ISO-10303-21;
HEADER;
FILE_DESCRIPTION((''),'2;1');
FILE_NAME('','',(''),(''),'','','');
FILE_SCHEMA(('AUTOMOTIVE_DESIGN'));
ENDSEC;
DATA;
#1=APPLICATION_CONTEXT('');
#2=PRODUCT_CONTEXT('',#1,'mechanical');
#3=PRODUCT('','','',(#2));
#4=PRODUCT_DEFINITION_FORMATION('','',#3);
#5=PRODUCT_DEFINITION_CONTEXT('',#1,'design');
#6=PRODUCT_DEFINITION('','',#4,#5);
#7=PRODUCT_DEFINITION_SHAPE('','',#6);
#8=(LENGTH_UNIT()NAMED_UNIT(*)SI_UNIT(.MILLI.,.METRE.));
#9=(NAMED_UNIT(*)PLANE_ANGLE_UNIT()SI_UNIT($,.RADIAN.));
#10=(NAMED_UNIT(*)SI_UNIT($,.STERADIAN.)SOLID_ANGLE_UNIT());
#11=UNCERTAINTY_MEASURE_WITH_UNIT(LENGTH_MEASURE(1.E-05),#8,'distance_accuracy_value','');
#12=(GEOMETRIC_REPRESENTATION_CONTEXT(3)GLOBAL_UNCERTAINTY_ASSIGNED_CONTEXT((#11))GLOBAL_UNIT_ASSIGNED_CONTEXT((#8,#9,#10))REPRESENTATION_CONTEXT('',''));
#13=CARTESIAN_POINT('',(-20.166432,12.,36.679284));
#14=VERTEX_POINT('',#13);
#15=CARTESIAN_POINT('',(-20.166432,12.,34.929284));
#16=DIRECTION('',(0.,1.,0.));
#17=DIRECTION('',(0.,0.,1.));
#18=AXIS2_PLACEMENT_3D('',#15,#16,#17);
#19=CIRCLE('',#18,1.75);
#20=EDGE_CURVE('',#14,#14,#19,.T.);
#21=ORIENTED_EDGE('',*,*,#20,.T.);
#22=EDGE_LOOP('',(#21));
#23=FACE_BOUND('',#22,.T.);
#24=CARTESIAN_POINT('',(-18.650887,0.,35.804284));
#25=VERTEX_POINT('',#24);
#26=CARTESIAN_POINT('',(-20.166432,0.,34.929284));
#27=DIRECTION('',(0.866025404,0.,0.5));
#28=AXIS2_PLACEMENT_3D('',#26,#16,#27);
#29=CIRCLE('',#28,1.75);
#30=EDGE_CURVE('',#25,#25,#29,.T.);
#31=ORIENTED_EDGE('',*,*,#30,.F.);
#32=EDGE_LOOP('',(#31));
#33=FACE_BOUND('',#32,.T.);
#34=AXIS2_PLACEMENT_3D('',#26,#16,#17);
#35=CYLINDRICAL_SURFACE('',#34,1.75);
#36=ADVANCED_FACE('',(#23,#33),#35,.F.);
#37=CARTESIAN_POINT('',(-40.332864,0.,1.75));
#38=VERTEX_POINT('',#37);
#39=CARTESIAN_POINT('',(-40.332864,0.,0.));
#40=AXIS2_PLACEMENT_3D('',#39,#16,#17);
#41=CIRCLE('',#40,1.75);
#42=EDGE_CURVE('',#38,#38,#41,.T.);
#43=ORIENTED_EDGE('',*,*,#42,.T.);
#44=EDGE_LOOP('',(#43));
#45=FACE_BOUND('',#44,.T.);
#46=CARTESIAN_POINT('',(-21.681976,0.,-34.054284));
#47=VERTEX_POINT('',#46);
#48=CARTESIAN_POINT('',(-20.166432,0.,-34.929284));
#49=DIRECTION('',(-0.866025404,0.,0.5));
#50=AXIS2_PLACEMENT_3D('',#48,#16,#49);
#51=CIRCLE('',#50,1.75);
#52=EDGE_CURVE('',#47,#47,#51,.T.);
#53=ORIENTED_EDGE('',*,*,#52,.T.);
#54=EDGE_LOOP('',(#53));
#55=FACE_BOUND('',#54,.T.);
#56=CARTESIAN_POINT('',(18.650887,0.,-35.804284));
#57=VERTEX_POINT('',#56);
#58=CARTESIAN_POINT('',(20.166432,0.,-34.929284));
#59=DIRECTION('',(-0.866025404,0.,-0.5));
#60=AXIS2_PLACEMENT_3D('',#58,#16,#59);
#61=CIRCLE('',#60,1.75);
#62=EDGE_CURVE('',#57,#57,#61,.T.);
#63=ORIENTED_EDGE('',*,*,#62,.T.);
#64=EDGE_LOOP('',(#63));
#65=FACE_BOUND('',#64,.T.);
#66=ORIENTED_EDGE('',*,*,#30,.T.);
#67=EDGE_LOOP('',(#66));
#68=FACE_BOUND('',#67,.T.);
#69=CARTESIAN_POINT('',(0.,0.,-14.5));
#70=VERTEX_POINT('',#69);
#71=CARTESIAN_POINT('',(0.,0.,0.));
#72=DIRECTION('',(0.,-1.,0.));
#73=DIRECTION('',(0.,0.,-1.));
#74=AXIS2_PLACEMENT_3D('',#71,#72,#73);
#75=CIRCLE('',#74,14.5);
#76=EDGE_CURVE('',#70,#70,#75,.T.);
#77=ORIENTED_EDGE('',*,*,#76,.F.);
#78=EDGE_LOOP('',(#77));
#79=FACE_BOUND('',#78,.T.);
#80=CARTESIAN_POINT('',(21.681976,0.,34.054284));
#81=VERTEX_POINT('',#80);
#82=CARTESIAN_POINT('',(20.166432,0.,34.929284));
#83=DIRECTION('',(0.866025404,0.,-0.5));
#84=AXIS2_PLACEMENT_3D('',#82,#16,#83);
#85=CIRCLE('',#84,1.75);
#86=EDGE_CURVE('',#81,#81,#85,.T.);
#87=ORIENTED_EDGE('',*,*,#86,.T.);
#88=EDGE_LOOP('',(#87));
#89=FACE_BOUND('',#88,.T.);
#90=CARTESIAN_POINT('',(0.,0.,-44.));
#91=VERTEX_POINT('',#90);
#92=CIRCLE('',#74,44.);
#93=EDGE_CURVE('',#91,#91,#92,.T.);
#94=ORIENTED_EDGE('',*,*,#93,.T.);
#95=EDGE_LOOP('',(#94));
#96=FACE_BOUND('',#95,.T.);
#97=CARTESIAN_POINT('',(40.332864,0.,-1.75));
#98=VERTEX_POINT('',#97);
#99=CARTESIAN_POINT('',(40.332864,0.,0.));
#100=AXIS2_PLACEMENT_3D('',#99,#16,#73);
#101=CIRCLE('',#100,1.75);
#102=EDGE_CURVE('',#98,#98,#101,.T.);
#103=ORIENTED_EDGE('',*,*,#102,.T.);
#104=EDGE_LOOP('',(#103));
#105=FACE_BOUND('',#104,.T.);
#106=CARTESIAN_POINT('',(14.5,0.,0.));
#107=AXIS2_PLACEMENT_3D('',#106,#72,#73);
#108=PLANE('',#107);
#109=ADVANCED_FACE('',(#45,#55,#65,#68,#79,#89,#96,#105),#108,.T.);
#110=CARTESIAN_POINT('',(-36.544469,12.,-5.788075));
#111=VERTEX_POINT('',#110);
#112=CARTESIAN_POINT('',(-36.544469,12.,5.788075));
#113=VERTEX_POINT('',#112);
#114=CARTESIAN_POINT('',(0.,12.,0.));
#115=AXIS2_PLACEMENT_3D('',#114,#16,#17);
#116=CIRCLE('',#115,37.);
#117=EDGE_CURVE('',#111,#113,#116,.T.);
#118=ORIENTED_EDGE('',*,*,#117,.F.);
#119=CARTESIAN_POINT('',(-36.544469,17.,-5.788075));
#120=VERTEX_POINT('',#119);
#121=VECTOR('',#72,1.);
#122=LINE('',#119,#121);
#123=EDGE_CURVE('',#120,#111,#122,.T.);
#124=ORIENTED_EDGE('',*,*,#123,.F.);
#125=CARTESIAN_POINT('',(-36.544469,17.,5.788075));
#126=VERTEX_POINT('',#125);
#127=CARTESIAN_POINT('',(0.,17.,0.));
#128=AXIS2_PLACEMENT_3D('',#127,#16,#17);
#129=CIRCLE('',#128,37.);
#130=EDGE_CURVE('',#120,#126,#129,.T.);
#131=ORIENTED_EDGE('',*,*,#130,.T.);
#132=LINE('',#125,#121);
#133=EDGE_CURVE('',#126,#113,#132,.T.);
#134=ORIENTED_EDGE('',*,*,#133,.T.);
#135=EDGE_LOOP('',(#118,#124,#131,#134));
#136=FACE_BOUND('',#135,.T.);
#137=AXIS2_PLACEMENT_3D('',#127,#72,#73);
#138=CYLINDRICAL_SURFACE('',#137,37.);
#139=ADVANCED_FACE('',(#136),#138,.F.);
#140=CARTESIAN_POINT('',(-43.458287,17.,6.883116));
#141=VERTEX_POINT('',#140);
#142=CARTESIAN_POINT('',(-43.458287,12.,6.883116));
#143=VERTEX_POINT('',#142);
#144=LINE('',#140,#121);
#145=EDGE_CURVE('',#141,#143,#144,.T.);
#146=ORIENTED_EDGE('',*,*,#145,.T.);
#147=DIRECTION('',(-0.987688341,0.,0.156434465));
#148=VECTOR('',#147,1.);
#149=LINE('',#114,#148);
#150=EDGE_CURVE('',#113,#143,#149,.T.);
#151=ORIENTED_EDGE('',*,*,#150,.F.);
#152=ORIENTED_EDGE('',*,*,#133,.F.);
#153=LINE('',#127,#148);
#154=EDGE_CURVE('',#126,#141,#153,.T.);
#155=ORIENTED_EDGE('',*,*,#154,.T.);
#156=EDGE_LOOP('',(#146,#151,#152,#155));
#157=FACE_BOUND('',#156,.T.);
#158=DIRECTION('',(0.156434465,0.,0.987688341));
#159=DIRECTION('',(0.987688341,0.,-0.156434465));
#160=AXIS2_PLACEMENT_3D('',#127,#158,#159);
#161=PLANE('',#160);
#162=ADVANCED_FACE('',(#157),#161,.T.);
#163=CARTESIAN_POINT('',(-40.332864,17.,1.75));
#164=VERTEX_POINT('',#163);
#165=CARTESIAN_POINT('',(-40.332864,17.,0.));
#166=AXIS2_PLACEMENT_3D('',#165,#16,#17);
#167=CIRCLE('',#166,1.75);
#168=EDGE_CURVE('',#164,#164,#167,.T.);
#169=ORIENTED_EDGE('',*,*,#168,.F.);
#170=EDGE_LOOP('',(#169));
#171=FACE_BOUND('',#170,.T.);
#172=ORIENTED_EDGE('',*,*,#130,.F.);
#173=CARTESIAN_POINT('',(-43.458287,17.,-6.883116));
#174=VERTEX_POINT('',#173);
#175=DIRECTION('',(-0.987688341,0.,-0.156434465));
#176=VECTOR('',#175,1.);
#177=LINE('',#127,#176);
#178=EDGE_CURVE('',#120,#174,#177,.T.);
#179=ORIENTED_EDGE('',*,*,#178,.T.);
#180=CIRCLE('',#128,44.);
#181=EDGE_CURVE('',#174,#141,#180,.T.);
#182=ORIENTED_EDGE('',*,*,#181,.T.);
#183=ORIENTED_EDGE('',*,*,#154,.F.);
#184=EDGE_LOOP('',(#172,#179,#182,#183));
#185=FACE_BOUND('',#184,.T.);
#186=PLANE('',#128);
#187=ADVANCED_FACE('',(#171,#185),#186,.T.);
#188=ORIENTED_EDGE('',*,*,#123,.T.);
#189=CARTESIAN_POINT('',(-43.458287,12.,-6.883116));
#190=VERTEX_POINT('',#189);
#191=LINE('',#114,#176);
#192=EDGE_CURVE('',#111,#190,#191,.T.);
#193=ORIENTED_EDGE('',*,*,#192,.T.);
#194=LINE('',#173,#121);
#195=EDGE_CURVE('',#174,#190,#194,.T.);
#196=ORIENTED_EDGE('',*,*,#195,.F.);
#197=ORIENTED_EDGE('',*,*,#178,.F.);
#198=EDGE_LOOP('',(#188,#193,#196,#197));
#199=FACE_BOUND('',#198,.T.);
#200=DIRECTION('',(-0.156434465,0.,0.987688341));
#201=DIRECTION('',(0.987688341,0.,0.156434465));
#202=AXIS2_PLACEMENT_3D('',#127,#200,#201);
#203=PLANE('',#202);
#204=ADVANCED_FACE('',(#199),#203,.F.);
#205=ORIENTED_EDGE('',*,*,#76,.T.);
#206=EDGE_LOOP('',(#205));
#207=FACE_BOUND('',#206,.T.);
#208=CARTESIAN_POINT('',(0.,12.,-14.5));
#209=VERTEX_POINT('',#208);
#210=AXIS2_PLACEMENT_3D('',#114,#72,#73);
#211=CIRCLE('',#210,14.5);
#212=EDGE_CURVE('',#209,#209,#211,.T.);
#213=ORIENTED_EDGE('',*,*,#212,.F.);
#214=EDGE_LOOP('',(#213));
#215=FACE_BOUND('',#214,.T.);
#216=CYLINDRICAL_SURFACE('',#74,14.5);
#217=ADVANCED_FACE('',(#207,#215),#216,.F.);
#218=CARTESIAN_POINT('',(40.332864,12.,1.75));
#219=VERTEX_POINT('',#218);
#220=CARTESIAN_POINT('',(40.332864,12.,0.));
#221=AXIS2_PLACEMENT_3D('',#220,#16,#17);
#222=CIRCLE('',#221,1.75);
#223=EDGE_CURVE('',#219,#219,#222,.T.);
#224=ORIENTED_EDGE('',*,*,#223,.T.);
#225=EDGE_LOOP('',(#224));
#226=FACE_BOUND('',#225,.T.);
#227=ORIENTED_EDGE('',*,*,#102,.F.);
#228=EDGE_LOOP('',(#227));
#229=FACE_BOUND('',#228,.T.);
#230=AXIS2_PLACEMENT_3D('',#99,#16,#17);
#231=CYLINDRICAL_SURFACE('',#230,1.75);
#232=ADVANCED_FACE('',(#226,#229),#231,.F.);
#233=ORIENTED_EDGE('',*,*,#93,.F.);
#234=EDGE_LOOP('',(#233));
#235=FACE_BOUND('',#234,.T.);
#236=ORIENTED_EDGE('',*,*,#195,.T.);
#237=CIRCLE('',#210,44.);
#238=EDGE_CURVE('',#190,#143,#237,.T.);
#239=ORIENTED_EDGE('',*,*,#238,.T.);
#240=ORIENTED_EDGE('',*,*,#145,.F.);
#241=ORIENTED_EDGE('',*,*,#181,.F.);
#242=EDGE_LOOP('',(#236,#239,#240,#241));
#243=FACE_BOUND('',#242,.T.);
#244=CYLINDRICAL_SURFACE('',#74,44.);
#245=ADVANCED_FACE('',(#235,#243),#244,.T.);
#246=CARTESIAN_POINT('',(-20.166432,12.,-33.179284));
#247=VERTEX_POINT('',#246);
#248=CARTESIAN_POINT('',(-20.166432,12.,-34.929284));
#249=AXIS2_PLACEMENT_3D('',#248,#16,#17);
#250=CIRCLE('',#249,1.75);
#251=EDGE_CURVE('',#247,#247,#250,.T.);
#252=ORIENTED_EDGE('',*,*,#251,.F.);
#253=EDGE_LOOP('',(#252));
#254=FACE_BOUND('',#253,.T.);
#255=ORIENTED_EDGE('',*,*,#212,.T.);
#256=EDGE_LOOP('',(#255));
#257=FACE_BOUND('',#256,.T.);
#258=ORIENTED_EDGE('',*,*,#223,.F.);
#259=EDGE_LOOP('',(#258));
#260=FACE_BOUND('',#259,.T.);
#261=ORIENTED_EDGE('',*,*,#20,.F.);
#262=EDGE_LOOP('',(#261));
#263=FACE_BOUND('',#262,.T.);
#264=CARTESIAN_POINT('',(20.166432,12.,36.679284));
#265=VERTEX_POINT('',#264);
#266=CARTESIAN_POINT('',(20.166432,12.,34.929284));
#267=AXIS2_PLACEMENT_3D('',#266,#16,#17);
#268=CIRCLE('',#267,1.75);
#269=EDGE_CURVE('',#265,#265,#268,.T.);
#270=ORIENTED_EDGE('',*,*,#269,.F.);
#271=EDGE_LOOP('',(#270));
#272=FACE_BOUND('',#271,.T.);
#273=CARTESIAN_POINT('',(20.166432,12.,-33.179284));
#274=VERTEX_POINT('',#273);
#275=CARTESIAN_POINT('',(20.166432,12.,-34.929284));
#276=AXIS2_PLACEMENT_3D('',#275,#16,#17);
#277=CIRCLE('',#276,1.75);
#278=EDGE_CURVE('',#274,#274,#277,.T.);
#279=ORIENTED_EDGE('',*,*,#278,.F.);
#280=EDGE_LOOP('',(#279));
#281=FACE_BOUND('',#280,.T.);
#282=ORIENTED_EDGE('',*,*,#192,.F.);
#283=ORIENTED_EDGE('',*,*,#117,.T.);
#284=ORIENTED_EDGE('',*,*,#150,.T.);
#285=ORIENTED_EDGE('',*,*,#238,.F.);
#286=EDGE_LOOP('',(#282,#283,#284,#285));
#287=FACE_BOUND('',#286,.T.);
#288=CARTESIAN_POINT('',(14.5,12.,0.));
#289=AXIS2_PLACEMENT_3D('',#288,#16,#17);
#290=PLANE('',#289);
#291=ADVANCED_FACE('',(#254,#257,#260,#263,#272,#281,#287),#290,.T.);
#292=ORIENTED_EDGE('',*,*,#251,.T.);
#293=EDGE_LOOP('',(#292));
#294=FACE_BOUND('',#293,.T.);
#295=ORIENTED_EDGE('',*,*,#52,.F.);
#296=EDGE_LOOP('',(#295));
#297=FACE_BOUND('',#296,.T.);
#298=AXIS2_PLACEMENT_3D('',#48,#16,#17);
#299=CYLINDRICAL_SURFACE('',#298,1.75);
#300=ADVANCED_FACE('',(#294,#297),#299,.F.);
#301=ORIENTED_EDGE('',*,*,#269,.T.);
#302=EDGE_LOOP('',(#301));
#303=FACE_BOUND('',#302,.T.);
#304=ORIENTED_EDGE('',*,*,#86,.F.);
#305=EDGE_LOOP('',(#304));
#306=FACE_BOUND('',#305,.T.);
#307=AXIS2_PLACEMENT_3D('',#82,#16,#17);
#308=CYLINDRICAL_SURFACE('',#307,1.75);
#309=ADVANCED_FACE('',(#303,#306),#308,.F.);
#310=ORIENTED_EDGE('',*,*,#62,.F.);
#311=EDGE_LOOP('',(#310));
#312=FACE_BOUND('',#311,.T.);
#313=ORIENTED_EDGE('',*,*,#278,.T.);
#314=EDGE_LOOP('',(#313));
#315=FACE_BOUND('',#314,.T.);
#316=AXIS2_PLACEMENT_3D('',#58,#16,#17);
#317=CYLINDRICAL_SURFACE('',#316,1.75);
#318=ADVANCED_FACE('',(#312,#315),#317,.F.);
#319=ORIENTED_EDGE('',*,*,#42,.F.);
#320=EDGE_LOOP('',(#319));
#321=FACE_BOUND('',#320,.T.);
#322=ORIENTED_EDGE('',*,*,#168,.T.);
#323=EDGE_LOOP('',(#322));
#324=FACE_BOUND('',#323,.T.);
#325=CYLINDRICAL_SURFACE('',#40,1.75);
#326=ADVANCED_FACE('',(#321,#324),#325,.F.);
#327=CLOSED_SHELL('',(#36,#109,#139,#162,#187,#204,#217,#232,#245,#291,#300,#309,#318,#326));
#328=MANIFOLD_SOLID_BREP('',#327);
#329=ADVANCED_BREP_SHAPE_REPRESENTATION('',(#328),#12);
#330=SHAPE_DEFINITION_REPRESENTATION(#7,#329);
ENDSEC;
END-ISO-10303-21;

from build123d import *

# Parameters (mm, degrees)
SKETCH1_W           = 29.5
SKETCH1_H           = 12
BOSS_EXTRUDE1_START = 5
BOSS_EXTRUDE1_DEPTH = 5
SKETCH3_R           = 1.75
CUT_EXTRUDE1_DEPTH  = 65.505813691
CIRPATTERN1_COUNT   = 6


with BuildPart() as part:
    # Sketch1 → Revolve1 (revolve)
    with BuildSketch(Plane.XY, mode=Mode.PRIVATE) as revolve1_sk:
        with Locations((29.25, 6)):
            Rectangle(SKETCH1_W, SKETCH1_H)
    revolve(revolve1_sk.sketch.rotate(Axis((0, 0, 0), (0, 1, 0)), 90), axis=Axis((0, 0, 0), (0, 1, 0)))

    # Sketch2 → Boss-Extrude1 (add)
    with BuildSketch(Plane(origin=(0, 12, 0), x_dir=(1, 0, 0), z_dir=(0, 1, 0)).offset(BOSS_EXTRUDE1_START)):
        with BuildLine():
            Line((-44, 0), (-37, 0))
            ThreePointArc((-37, 0), (-36.885941348, 2.902986542), (-36.544468602, 5.788075206))
            Line((-36.544468602, 5.788075206), (-43.458286986, 6.883116462))
            ThreePointArc((-43.458286986, 6.883116462), (-43.864362684, 3.452200212), (-44, 0))
        make_face()
        with BuildLine():
            ThreePointArc((-36.544468602, -5.788075206), (-36.885941348, -2.902986542), (-37, 0))
            Line((-37, 0), (-44, 0))
            ThreePointArc((-44, 0), (-43.864362684, -3.452200212), (-43.458286986, -6.883116462))
            Line((-43.458286986, -6.883116462), (-36.544468602, -5.788075206))
        make_face()
    extrude(amount=-BOSS_EXTRUDE1_DEPTH)

    # Sketch3 → Cut-Extrude1 (cut, through all)
    with BuildSketch(Plane(origin=(0, 17, 0), x_dir=(1, 0, 0), z_dir=(0, 1, 0))):
        with Locations(Location((-40.332863527, 0, 0), (0, 0, 270))):
            Circle(SKETCH3_R)
    cut_extrude1 = extrude(amount=-CUT_EXTRUDE1_DEPTH, mode=Mode.SUBTRACT)

    # CirPattern1: Cut-Extrude1 ×6 about axis
    cirpattern1_axis = Axis((0, 0, 0), (0, 1, 0))
    for i in range(1, CIRPATTERN1_COUNT):
        add(cut_extrude1.rotate(cirpattern1_axis, i * 360 / CIRPATTERN1_COUNT), mode=Mode.SUBTRACT)


solid = part.part
